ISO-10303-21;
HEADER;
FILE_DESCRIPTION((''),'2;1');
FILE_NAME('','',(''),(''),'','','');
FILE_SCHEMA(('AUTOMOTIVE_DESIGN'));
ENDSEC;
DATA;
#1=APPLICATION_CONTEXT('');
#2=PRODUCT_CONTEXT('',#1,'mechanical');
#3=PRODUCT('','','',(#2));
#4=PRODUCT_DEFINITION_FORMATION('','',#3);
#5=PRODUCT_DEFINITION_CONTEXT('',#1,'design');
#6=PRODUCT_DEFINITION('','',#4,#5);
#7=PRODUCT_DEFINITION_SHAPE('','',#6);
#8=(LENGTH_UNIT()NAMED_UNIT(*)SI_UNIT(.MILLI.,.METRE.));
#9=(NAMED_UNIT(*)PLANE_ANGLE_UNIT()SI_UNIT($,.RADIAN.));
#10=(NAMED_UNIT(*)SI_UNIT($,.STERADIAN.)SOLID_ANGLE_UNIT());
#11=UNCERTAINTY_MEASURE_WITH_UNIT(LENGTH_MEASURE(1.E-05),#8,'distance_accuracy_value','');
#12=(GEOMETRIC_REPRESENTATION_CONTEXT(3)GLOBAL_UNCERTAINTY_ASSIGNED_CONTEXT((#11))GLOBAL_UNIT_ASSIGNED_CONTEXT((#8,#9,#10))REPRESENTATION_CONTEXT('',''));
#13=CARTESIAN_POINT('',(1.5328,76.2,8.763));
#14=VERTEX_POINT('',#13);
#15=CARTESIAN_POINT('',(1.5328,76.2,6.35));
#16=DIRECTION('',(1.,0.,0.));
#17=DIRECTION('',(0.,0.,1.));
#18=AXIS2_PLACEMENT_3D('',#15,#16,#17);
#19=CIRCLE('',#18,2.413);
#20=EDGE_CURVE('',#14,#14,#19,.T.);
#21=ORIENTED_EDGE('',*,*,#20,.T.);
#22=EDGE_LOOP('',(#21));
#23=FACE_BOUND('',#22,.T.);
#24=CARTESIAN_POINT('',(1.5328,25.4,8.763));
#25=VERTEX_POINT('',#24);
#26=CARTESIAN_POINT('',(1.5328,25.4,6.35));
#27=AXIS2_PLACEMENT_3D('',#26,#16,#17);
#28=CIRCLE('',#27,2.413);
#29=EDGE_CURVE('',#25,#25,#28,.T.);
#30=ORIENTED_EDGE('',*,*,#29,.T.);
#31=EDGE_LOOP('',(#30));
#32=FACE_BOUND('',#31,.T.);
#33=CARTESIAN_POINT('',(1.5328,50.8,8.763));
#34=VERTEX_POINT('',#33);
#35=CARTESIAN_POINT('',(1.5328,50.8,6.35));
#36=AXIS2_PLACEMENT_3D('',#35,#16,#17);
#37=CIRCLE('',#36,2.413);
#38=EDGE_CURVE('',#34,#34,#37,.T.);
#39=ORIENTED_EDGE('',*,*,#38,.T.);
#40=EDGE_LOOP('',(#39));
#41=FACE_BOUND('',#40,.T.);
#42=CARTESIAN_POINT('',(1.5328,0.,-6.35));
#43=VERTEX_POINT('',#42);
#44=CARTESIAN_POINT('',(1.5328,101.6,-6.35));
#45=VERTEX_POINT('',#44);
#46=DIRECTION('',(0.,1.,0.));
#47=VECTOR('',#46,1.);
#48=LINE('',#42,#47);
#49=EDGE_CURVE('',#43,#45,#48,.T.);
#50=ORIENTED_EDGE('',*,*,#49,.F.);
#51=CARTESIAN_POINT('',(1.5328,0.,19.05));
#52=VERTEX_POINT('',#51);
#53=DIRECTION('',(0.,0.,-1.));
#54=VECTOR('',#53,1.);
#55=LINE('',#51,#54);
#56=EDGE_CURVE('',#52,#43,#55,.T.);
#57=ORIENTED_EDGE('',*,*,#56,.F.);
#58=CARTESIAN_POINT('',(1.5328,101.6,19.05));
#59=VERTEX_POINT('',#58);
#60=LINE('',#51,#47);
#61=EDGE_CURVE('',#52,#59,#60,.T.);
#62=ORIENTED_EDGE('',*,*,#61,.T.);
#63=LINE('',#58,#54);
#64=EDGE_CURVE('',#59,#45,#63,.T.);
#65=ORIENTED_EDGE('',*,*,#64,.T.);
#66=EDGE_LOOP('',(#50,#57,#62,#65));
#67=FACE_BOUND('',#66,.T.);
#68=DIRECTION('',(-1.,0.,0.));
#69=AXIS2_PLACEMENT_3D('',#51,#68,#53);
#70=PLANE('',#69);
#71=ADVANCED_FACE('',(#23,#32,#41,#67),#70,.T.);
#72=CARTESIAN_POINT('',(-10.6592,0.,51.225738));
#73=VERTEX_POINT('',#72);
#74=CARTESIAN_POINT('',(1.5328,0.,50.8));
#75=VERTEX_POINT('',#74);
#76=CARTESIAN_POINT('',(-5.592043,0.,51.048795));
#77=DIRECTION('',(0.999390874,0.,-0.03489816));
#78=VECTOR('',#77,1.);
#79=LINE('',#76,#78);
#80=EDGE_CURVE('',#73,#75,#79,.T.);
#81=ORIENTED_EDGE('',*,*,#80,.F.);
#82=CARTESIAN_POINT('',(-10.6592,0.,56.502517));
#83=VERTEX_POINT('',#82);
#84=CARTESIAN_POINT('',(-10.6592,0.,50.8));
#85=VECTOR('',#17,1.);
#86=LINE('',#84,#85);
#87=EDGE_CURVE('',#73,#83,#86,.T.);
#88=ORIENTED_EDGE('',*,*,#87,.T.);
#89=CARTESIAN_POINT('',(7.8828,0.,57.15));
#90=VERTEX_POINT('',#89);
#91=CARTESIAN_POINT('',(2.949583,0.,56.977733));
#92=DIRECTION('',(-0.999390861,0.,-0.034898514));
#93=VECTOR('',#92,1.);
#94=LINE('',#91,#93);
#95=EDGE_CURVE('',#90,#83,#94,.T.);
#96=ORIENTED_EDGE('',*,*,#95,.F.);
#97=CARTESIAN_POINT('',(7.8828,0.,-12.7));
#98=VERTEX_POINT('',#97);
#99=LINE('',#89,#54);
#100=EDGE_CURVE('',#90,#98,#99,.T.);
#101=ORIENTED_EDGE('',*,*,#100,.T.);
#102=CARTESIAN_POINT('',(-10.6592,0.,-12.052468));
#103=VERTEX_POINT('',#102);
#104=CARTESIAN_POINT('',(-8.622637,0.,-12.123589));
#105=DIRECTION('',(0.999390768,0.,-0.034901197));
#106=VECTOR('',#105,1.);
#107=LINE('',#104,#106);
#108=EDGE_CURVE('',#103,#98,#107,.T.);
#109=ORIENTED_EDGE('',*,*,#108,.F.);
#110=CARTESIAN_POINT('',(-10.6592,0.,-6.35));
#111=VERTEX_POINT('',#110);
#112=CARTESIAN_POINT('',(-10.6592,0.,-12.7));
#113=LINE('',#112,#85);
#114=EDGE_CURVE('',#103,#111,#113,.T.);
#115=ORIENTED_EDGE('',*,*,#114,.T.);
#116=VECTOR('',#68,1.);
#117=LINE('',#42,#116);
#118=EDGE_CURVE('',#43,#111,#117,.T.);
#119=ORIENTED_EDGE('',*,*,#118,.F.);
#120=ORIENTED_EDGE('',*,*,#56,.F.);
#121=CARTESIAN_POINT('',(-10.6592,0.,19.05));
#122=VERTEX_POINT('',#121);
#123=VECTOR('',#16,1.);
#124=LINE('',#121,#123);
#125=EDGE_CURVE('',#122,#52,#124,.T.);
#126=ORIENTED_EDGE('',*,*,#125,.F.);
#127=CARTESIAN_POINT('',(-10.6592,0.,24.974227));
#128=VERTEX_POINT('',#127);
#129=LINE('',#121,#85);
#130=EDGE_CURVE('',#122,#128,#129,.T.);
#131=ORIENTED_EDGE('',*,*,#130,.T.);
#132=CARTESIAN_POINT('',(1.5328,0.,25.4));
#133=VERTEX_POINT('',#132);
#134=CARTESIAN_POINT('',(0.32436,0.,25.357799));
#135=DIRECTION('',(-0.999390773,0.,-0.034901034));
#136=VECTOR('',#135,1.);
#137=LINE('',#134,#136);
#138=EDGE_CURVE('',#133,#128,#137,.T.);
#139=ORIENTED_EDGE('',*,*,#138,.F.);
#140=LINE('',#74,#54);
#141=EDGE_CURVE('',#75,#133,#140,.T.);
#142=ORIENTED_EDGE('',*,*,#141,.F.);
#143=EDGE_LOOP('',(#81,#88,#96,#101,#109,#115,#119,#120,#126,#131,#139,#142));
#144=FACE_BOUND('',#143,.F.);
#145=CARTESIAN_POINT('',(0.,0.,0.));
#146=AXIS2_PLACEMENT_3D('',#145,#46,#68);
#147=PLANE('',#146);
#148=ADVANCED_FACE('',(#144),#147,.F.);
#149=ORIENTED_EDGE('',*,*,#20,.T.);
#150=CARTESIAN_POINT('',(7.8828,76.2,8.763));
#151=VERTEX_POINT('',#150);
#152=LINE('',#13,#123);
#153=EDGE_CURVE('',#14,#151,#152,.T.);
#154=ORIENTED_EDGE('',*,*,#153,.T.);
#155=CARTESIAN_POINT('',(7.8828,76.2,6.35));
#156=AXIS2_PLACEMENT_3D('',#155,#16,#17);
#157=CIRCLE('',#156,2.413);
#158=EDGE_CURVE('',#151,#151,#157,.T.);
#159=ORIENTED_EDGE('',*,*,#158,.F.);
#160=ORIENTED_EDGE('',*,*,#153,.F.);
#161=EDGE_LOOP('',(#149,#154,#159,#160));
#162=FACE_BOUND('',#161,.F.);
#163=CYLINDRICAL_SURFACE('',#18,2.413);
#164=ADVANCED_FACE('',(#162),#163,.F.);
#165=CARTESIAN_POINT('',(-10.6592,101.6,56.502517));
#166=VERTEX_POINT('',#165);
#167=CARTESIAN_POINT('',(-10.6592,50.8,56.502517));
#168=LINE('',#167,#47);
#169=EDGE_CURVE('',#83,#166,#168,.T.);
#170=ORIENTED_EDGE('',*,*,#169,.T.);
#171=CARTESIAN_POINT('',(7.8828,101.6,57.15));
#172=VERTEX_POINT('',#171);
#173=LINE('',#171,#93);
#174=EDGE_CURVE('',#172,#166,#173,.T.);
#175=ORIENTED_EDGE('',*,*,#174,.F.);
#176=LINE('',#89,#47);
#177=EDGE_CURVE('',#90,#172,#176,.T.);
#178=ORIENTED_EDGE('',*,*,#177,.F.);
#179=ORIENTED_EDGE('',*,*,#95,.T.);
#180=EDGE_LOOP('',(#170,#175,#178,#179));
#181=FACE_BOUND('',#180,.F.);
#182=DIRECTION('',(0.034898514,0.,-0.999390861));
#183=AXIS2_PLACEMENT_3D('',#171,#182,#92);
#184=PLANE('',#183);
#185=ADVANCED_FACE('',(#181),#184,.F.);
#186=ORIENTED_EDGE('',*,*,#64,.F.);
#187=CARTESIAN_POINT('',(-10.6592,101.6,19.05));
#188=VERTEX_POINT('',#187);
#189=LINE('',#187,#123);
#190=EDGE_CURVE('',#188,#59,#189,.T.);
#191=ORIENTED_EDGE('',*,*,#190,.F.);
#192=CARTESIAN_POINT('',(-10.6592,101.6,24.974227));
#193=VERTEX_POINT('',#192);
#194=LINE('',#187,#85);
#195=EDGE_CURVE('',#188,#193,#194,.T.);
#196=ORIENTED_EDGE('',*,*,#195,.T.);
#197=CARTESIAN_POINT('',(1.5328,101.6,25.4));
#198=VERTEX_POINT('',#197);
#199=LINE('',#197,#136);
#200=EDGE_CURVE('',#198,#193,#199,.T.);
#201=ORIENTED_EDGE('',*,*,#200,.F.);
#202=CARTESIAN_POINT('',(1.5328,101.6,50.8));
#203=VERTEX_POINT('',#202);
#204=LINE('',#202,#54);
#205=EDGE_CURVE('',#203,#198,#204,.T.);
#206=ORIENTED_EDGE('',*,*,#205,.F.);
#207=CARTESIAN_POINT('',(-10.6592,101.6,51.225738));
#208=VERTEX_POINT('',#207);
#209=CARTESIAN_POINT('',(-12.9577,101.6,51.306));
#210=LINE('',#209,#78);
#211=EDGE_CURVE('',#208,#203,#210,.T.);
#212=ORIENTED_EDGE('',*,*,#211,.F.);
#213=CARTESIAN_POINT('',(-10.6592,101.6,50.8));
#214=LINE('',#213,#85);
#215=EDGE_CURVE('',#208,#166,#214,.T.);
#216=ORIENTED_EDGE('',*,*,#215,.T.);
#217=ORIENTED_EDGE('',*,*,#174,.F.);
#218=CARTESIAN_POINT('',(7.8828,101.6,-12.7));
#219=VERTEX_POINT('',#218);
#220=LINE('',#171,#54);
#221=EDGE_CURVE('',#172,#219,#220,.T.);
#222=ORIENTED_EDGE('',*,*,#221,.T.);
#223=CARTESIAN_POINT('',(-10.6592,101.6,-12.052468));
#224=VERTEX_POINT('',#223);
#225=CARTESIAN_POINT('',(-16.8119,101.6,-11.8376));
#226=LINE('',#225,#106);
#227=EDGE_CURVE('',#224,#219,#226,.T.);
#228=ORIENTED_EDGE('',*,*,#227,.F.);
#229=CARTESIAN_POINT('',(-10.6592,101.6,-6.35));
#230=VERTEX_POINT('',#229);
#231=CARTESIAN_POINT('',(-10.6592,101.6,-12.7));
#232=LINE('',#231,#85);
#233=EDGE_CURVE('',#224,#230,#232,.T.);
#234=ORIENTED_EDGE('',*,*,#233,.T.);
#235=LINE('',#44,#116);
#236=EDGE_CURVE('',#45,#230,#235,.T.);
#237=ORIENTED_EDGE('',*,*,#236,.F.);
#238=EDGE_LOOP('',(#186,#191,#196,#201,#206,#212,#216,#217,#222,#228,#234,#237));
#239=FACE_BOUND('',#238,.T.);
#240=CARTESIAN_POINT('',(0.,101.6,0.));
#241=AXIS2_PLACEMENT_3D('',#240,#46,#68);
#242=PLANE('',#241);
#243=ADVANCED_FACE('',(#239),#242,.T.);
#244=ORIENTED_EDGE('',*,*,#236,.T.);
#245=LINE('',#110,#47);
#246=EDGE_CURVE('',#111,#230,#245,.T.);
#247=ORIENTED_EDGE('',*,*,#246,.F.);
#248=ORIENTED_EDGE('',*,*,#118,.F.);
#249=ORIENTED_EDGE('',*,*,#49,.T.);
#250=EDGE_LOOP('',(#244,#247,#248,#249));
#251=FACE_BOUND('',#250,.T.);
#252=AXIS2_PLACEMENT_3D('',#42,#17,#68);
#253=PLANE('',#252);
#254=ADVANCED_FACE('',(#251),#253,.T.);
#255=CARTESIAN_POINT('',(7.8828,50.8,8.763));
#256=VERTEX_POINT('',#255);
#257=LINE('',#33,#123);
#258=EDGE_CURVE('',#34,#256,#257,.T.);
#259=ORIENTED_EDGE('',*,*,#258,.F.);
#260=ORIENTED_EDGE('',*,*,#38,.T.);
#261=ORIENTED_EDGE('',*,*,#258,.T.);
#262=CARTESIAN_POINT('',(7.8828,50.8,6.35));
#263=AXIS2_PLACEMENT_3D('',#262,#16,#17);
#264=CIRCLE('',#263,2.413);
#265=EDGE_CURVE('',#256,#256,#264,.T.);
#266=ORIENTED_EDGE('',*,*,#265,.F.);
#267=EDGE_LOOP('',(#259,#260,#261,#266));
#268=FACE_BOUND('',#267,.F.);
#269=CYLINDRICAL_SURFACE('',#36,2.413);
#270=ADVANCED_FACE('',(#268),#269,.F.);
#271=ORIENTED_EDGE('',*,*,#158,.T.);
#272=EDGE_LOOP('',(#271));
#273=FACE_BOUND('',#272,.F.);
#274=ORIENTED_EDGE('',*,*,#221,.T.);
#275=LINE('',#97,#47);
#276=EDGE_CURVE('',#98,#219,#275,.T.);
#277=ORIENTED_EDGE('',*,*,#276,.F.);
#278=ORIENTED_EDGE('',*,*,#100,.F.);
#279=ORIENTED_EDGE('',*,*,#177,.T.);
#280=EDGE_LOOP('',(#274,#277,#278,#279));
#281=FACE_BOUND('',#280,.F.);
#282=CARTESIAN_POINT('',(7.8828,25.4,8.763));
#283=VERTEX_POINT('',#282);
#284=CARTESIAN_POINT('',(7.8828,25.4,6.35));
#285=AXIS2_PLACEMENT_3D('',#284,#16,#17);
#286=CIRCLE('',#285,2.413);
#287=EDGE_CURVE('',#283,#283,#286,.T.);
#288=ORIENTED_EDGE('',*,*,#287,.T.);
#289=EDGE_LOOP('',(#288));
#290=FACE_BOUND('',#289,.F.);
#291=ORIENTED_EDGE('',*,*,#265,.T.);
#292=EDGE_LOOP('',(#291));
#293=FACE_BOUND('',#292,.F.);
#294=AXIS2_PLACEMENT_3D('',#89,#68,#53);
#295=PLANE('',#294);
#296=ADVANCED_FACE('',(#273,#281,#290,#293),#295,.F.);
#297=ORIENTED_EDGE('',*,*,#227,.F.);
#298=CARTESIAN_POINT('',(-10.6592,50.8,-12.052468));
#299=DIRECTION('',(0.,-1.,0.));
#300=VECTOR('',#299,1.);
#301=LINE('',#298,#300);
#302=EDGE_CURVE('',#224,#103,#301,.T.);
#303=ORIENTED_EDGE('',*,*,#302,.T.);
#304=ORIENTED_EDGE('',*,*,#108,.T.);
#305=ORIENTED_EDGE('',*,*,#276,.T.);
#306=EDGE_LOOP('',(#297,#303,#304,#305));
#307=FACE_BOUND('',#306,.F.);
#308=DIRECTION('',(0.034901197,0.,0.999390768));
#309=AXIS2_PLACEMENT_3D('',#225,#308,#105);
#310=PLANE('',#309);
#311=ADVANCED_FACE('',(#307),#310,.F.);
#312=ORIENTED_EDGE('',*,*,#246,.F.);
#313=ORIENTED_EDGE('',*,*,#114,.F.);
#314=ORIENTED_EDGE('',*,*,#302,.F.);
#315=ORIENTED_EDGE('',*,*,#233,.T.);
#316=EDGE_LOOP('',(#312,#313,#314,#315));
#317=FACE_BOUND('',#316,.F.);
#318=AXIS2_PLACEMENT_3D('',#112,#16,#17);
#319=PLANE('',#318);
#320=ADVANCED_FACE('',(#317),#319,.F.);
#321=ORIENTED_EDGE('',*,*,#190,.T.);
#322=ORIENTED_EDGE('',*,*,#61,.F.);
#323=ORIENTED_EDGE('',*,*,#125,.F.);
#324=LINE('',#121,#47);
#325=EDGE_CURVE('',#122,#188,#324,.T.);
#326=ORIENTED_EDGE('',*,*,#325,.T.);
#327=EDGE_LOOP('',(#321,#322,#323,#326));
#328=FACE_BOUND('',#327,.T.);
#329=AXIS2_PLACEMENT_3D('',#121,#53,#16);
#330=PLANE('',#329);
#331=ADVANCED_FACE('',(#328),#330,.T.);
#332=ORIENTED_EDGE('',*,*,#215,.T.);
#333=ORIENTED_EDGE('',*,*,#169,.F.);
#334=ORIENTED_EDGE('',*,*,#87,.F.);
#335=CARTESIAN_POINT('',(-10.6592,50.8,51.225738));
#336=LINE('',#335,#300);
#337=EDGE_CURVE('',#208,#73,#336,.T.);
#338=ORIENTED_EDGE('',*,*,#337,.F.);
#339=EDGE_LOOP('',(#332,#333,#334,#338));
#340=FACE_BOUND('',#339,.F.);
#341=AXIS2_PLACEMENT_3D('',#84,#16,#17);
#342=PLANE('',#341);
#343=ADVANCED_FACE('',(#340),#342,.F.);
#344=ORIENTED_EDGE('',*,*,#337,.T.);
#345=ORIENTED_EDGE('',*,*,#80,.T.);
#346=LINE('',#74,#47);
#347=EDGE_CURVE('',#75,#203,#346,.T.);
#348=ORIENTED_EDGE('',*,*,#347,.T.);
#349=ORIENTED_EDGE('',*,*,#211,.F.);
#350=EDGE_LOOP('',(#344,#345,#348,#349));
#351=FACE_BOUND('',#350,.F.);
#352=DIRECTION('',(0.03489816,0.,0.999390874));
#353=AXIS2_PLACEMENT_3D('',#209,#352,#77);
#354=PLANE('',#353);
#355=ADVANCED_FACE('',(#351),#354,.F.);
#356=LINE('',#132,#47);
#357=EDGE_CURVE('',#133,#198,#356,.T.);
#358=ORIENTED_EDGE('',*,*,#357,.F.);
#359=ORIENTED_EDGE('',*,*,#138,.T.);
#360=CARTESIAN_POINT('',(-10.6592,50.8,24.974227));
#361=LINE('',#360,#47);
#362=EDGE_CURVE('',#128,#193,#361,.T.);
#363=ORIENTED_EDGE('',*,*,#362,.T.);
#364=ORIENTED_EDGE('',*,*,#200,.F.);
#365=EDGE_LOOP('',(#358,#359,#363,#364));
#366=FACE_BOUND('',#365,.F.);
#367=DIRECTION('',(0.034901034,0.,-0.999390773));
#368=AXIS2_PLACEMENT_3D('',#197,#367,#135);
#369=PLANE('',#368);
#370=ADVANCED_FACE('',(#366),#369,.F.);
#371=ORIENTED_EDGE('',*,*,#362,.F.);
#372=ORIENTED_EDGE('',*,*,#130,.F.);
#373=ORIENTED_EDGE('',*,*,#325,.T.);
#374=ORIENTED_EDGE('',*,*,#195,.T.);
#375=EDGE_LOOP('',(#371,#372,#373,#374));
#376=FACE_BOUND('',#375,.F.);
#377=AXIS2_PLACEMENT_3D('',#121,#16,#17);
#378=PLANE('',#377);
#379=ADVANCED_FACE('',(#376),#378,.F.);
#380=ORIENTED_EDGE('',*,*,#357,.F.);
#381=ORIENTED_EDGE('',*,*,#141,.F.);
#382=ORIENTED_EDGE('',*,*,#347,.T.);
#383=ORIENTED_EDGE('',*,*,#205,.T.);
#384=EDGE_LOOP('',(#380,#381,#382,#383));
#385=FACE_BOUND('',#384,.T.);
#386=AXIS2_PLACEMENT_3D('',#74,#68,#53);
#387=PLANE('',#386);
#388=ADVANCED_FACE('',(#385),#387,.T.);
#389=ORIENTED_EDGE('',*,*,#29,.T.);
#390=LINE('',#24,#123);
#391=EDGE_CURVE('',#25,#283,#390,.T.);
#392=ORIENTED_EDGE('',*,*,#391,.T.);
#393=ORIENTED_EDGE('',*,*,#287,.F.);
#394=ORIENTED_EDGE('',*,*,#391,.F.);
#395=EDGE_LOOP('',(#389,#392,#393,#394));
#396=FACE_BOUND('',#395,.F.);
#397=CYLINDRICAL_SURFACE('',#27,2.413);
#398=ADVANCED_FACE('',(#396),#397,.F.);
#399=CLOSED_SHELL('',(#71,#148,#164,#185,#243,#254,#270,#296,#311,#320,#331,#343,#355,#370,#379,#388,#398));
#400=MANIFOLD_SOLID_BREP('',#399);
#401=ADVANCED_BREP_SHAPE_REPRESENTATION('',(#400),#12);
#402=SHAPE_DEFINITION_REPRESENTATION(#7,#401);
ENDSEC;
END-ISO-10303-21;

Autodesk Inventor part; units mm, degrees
ref_plane "YZ Plane" through (0, 0, 0) normal (1, 0, 0) x (0, 1, 0)
ref_plane "XZ Plane" through (0, 0, 0) normal (0, 1, 0) x (-1, 0, 0)
ref_plane "XY Plane" through (0, 0, 0) normal (0, 0, 1) x (1, 0, 0)
sketch "Sketch1" plane through (0, 0, 0) normal (0, 1, 0) x (-1, 0, 0)
  line L0 (10.6592, 57.15) -> (-7.8828, 57.15)
  line L1 (-7.8828, 57.15) -> (-7.8828, -12.7)
  line L2 (-7.8828, -12.7) -> (10.6592, -12.7)
  line L3 (10.6592, 50.8) -> (-1.5328, 50.8)
  line L4 (-1.5328, 50.8) -> (-1.5328, 25.4)
  line L5 (-1.5328, 25.4) -> (10.6592, 25.4)
  line L6 (10.6592, 19.05) -> (-1.5328, 19.05)
  line L7 (-1.5328, 19.05) -> (-1.5328, -6.35)
  line L8 (-1.5328, -6.35) -> (10.6592, -6.35)
  line L9 (10.6592, -12.7) -> (10.6592, -6.35)
  line L10 (10.6592, 19.05) -> (10.6592, 25.4)
  line L11 (10.6592, 50.8) -> (10.6592, 57.15)
  point P0 (0, 0)
  dimension "d0" = 18.542
  dimension "d3" = 6.35
  dimension "d4" = 6.35
  dimension "d5" = 6.35
  dimension "d7" = 0
  dimension "d8" = 25.4
  dimension "d9" = 25.4
  dimension "d25" = 0
  dimension "d26" = 0
extrude "Extrusion1" add sketch "Sketch1" along normal blind 101.6
sketch "Sketch2" plane through (1.5328, 0, -6.35) normal (-1, 0, 0) x (0, 0, 1)
  line L0 (0, 0) -> (0, 101.6) projected
  line L1 (0, 0) -> (25.4, 0) projected
  point P0 (6.35, 0)
  point P1 (12.7, 25.4)
  point P2 (12.7, 50.8)
  point P3 (12.7, 76.2)
  dimension "d12" = 12.7
  dimension "d13" = 25.4
  dimension "d14" = 25.4
  dimension "d15" = 0
  dimension "d16" = 0
  dimension "d17" = 25.4
hole "Hole1" at (1.5328, 25.4, 6.35) at (1.5328, 50.8, 6.35) at (1.5328, 76.2, 6.35) direction (1, 0, 0) diameter 4.826 depth 25.4 tip angle 118
sketch "Sketch3" plane through (0, 101.6, 0) normal (0, 1, 0) x (1, 0, 0)
  line L0 (1.5328, -25.4) -> (-10.7917, -24.9696)
  line L1 (-10.7917, -24.9696) -> (-10.7917, -25.4)
  line L2 (-10.6592, -25.4) -> (1.5328, -25.4) projected
  line L3 (-10.7917, -25.4) -> (1.5328, -25.4)
  point P0 (0, 0)
  dimension "d27" = 2
extrude "Extrusion2" cut sketch "Sketch3" against normal blind 111.125
sketch "Sketch4" plane through (0, 101.6, 0) normal (0, 1, 0) x (1, 0, 0)
  line L0 (1.5328, -50.8) -> (-12.9577, -50.8)
  line L1 (-12.9577, -50.8) -> (-12.9577, -51.306)
  line L2 (-12.9577, -51.306) -> (1.5328, -50.8)
  point P0 (0, 0)
  dimension "d30" = 2
extrude "Extrusion3" cut sketch "Sketch4" against normal blind 119.0625
sketch "Sketch5" plane through (0, 101.6, 0) normal (0, 1, 0) x (1, 0, 0)
  line L0 (-10.6592, -57.15) -> (7.8828, -57.15) projected
  line L1 (7.8828, -57.15) -> (-13.0423, -56.4193)
  line L2 (-13.0423, -56.4193) -> (-13.0009, -57.15)
  line L3 (-13.0009, -57.15) -> (7.8828, -57.15)
  point P0 (0, 0)
  dimension "d33" = 2
extrude "Extrusion4" cut sketch "Sketch5" against normal blind 196.85
sketch "Sketch6" plane through (0, 101.6, 0) normal (0, 1, 0) x (1, 0, 0)
  line L0 (7.8828, 12.7) -> (-10.6592, 12.7) projected
  line L1 (7.8828, 12.7) -> (-16.8119, 12.7)
  line L2 (-16.8119, 12.7) -> (-16.8119, 11.8376)
  line L3 (7.8828, -57.15) -> (7.8828, 12.7) projected
  line L4 (-16.8119, 11.8376) -> (7.8828, 12.7)
  point P0 (0, 0)
  dimension "d36" = 2
extrude "Extrusion5" cut sketch "Sketch6" against normal blind 334.9625
equation "\"d0\" = ElvDelWidth"
equation "\"d3\" = ElvDelFrontTabLength"
equation "\"d4\" = ElvDelMiddleTabLength"
equation "\"d5\" = ElvDelFrontTabLength"
equation "\"d8\" = ElvBeamWidth"
equation "\"d9\" = ElvBeamWidth"
equation "\"d10\" = ElvDelHeight"
equation "\"ElvBeamWidth\" = 25.4"
equation "\"ElvDelWidth\" = 18.542"
equation "\"ElvDelHeight\" = 101.6"
equation "\"ElvDelFrontTabLength\" = 6.35"
equation "\"ElvDelDepth\" = 6.35"
equation "\"d2\" = ElvDelDepth"
equation "\"ElvCrossBeamLength\" = 304.8"
equation "\"ElvFixedBeamLength\" = 990.6"
equation "\"ElvMiddleBeamLength\" = 990.6"
equation "\"ElvFrontBeamLength\" = 990.6"
equation "\"ElvEndEffectLength\" = 431.8"
equation "\"ElvWallWidth\" = 1.5875"
equation "\"ElvTopBeamLength\" = 457.2"
equation "\"ElvHoleFromFront\" = 25.4"
equation "\"ElvHoleFromMid\" = 38.1"
equation "\"ElvHoleFromFixed\" = 50.8"
equation "\"ElvHoleFromBottom\" = 38.1"
equation "\"ElvRivetPlateLength\" = 76.2"
equation "\"ElvDelMiddleTabLength\" = 6.35"
properties part number "ElvDel" material "Acetal Resin, White"
